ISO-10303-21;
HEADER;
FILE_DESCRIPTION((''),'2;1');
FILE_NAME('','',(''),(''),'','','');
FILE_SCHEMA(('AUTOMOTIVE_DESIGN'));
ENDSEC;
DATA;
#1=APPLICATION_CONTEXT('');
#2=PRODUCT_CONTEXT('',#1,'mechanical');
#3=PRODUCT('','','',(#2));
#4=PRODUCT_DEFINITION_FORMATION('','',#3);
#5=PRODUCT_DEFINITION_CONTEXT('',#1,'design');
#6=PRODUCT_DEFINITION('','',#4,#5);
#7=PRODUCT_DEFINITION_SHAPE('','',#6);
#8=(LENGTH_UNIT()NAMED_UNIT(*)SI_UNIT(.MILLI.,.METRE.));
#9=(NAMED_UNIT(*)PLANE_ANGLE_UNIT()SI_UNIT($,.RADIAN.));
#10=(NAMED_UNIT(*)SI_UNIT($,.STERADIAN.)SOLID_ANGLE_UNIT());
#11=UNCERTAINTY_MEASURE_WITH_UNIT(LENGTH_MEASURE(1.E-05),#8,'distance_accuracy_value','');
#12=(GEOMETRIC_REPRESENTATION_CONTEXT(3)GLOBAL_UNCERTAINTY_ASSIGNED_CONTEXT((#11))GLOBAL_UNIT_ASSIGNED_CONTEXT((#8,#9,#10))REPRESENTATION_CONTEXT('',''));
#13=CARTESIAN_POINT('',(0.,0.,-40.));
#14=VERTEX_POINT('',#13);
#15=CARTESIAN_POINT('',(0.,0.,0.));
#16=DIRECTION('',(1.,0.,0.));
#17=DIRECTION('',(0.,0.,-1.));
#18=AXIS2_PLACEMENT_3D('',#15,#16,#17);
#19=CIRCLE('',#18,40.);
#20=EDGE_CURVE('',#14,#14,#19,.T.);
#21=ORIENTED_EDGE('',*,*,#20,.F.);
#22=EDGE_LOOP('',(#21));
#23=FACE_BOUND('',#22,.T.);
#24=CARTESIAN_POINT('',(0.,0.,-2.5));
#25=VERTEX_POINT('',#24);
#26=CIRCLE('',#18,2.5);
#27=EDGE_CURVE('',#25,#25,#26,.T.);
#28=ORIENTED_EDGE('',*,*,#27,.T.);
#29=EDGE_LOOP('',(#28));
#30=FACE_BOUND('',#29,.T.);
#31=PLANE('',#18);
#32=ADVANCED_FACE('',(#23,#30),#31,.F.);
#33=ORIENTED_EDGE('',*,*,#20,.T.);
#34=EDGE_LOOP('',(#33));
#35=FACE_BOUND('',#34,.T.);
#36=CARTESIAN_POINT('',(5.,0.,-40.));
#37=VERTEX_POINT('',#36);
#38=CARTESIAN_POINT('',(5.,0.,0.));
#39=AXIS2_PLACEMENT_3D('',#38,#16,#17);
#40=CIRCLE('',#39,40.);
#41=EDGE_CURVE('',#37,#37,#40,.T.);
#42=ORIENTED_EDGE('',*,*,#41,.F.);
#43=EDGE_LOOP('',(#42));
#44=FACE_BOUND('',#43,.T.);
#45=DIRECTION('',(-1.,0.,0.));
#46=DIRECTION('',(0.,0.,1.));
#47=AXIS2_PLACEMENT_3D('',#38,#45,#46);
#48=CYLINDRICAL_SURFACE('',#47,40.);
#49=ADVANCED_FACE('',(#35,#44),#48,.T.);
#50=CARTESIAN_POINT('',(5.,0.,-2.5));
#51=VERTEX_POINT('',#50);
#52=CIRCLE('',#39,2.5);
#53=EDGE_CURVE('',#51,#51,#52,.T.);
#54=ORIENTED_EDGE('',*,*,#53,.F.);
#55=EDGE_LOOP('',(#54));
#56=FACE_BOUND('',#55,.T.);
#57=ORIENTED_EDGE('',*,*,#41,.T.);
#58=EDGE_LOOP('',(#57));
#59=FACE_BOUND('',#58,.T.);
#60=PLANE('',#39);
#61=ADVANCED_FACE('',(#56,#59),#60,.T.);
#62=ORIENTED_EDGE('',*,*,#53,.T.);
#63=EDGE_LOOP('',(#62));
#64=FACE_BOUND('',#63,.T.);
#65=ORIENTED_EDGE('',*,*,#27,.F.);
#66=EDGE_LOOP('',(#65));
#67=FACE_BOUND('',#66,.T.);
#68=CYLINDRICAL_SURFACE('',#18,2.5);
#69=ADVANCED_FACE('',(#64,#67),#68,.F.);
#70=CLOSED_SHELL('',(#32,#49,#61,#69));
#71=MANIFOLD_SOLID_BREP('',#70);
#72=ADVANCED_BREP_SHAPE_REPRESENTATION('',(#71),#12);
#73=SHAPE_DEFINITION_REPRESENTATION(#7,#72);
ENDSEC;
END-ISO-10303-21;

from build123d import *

# Parameters (mm, degrees)
SKETCH1_R           = 40
BOSS_EXTRUDE1_DEPTH = 5
SKETCH2_R           = 2.5
CUT_EXTRUDE1_DEPTH  = 5


with BuildPart() as part:
    # Sketch1 → Boss-Extrude1 (new body)
    with BuildSketch(Plane(origin=(0, 0, 0), x_dir=(0, 0, -1), z_dir=(1, 0, 0))):
        Circle(SKETCH1_R)
    extrude(amount=BOSS_EXTRUDE1_DEPTH)

    # Sketch2 → Cut-Extrude1 (cut)
    with BuildSketch(Plane(origin=(5, 0, 0), x_dir=(0, 0, -1), z_dir=(1, 0, 0))):
        Circle(SKETCH2_R)
    extrude(amount=-CUT_EXTRUDE1_DEPTH, mode=Mode.SUBTRACT)


solid = part.part
